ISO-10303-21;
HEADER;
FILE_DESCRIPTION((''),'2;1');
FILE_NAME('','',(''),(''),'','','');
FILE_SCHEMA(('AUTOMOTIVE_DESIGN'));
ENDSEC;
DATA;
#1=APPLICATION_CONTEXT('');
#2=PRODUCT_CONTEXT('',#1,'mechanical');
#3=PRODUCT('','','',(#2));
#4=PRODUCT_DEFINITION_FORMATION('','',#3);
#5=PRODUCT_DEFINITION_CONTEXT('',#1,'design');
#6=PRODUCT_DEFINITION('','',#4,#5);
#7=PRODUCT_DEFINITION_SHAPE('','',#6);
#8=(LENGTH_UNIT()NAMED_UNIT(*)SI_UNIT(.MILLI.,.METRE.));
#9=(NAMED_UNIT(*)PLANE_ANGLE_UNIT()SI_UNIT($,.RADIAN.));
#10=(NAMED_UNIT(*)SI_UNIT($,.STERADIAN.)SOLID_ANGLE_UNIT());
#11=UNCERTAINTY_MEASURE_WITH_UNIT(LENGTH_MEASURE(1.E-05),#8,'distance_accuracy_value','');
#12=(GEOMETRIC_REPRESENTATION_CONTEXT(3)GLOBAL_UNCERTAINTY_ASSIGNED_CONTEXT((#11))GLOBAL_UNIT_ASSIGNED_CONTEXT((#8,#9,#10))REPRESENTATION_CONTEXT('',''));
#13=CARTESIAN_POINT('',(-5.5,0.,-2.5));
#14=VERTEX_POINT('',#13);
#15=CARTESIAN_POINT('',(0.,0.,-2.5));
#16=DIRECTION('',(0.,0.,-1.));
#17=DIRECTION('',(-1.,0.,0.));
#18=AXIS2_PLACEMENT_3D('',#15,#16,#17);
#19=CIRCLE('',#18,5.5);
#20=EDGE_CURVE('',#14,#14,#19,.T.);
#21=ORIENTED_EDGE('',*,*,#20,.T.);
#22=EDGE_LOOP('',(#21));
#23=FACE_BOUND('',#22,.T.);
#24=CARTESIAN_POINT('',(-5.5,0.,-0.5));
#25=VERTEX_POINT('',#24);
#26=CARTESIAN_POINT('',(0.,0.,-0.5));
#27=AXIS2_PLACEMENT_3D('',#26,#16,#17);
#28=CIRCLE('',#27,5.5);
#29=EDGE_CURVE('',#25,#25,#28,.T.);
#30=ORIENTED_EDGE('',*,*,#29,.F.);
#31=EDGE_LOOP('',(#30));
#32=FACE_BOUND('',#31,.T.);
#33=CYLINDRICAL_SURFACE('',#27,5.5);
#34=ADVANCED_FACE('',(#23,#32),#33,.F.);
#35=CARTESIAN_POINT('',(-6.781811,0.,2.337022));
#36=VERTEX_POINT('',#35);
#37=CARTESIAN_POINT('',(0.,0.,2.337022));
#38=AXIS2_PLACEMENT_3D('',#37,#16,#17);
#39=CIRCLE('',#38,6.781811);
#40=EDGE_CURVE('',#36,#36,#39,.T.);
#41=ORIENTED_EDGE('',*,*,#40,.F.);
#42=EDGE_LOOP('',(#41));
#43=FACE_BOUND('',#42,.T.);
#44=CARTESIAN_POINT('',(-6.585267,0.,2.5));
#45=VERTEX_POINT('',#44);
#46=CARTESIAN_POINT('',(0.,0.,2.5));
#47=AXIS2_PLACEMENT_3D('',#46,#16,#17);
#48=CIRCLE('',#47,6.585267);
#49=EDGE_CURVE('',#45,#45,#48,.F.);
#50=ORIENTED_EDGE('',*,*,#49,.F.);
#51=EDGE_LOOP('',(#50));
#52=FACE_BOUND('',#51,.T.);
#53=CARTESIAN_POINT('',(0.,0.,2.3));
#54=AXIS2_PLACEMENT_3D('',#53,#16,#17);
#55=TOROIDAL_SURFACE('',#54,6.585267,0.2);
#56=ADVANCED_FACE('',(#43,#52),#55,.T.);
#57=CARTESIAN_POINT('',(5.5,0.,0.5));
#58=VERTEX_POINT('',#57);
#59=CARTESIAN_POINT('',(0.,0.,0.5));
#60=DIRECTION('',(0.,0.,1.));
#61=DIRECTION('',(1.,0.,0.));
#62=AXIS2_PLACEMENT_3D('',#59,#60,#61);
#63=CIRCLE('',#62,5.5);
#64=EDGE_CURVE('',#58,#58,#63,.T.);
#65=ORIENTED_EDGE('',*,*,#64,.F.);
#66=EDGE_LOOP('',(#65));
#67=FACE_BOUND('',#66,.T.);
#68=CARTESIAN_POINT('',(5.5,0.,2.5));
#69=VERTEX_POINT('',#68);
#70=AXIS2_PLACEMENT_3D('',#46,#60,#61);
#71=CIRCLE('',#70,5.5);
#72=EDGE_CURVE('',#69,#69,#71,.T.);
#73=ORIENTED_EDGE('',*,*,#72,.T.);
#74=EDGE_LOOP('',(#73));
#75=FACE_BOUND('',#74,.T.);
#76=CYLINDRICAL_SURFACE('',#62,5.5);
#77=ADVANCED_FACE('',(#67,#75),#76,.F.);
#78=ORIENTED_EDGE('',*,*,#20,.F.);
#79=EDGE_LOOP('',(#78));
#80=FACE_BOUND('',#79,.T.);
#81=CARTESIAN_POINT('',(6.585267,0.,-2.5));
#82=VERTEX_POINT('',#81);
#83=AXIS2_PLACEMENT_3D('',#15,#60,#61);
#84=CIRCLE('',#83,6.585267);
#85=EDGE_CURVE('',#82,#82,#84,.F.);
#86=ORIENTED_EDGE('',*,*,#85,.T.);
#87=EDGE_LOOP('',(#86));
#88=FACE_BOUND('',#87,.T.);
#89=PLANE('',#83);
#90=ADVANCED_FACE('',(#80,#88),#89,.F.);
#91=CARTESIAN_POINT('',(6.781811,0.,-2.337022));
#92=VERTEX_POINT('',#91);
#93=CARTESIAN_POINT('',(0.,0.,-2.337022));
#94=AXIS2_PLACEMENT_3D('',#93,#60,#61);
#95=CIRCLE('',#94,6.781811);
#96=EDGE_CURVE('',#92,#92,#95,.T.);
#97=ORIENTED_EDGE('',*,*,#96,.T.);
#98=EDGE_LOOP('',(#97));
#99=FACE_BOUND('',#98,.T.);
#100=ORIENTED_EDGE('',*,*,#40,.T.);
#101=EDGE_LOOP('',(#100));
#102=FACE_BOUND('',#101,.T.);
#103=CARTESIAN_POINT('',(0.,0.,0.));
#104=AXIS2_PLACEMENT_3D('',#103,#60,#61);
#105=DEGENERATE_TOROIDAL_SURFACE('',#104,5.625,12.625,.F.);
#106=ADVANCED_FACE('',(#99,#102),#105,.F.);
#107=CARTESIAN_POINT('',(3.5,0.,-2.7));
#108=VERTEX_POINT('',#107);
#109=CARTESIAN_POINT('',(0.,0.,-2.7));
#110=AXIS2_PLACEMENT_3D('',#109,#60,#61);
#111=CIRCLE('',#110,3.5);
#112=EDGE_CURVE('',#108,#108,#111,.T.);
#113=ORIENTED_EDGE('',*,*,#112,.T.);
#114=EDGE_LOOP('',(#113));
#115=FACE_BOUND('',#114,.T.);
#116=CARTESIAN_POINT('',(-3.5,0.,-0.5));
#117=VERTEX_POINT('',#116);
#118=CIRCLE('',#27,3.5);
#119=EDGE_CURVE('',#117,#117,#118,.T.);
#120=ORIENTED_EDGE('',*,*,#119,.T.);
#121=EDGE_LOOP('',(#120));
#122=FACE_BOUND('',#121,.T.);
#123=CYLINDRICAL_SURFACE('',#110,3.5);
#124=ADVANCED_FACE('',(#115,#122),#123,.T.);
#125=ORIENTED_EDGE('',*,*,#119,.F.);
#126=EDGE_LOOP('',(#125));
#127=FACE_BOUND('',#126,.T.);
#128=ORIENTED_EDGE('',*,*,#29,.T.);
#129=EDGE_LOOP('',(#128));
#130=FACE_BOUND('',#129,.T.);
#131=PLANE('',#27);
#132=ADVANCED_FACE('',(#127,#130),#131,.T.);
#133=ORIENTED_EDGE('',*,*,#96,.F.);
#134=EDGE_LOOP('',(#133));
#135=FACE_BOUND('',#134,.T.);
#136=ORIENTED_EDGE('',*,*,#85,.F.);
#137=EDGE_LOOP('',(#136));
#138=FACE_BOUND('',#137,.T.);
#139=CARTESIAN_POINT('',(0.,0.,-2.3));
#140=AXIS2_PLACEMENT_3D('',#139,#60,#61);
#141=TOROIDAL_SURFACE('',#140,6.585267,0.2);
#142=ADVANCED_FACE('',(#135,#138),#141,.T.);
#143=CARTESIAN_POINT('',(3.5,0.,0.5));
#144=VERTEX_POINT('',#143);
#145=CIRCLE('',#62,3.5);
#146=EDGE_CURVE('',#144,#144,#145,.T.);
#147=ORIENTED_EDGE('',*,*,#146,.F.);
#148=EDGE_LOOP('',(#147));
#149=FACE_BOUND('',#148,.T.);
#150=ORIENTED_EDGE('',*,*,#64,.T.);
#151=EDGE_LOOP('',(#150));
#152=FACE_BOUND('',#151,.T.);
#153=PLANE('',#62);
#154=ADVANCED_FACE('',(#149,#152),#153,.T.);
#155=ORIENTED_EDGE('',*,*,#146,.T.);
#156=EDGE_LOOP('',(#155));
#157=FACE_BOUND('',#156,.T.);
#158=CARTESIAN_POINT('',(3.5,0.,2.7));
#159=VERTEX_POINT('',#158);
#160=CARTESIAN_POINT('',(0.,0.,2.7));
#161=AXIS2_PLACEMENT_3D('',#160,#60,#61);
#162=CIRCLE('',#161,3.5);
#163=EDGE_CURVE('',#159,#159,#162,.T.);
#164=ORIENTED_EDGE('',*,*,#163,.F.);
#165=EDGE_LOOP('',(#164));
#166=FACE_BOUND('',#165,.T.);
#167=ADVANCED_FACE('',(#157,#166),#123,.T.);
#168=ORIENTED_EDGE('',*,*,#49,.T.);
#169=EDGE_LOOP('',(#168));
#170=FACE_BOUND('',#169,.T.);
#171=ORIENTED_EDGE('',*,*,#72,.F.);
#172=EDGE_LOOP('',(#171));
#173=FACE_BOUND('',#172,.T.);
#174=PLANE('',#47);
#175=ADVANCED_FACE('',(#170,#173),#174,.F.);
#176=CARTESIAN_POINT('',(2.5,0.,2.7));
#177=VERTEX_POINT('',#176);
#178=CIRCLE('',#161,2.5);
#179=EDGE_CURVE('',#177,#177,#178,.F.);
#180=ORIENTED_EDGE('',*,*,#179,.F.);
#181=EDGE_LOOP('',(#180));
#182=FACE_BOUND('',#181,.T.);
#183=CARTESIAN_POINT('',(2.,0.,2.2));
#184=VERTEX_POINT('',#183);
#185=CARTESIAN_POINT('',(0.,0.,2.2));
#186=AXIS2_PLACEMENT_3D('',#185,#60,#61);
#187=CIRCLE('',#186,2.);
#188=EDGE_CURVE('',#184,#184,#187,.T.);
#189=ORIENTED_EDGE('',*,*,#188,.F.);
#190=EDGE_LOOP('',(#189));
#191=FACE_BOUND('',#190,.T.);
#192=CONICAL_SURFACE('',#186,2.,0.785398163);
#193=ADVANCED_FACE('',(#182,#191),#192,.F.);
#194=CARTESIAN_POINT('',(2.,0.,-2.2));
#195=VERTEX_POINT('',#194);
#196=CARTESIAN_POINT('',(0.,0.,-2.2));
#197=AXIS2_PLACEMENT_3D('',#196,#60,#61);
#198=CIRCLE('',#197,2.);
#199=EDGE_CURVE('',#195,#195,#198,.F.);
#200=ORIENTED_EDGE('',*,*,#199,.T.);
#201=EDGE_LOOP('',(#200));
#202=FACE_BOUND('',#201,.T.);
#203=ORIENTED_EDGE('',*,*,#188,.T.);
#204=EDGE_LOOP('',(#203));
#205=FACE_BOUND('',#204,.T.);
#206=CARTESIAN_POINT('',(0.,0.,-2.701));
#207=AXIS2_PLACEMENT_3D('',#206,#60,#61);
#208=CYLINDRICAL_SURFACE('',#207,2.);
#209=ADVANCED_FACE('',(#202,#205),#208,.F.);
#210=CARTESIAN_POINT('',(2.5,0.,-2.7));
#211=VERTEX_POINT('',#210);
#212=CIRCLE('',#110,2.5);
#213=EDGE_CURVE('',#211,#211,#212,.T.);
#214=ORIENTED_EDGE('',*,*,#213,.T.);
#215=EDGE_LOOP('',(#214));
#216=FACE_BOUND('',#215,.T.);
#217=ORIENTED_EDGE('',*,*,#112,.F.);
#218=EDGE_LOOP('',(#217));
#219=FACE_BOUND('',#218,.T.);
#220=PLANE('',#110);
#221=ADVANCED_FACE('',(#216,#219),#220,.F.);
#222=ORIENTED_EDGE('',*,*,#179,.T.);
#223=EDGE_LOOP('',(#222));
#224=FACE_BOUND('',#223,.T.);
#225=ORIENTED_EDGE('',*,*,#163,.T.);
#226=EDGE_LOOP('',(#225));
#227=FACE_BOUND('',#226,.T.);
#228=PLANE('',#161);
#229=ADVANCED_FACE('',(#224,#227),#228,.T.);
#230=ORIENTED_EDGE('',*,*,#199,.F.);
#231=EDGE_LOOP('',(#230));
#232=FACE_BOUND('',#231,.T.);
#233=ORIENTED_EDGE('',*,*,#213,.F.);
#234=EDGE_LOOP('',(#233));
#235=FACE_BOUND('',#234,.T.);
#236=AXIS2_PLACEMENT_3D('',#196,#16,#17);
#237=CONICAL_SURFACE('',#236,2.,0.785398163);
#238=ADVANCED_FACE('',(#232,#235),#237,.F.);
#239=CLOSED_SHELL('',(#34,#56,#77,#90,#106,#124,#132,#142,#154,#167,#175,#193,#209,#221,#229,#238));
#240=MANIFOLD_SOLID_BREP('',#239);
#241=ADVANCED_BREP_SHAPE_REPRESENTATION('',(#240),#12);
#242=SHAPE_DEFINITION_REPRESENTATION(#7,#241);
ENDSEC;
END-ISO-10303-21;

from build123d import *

# Parameters (mm, degrees)
EXTRUDE_1_DEPTH      = 0.2
EXTRUDE_1_DEPTH_BACK = 5.2
SKETCH_2_R           = 3.5
CUT_EXTRUDE_1_REACH  = 13.277
SKETCH_3_R           = 2
SKETCH_4_R           = 5.5
SKETCH_4_R_2         = 3.5
CUT_EXTRUDE_2_DEPTH  = 2
CUT_EXTRUDE_START    = -2
SKETCH_5_R           = 5.5
SKETCH_5_R_2         = 3.5
CUT_EXTRUDE_3_DEPTH  = 2
FILLET_1_R           = 0.2
CHAMFER_1_SIZE       = 0.5


with BuildPart() as part:
    # 草图1 → 旋转1 (revolve)
    with BuildSketch(Plane(origin=(0, 0, 0), x_dir=(0, 0, -1), z_dir=(1, 0, 0)), mode=Mode.PRIVATE) as revolve_1_sk:
        with BuildLine():
            Line((-2.5, 0), (-2.5, 6.75))
            ThreePointArc((-2.5, 6.75), (-1.256234453, 6.937344526), (0, 7))
            ThreePointArc((0, 7), (1.256234453, 6.937344526), (2.5, 6.75))
            Line((2.5, 6.75), (2.5, 0))
            Line((2.5, 0), (-2.5, 0))
        make_face()
    revolve(revolve_1_sk.sketch.rotate(Axis((0, 0, 3.62963917), (0, 0, -1)), 90), axis=Axis((0, 0, 3.62963917), (0, 0, -1)))

    # 草图2 → 凸台-拉伸1 (add, two sides: drawn at the far end of the back side and taken through both)
    with BuildSketch(Plane.XY.offset(2.5).offset(-EXTRUDE_1_DEPTH_BACK)):
        Circle(SKETCH_2_R)
    extrude(amount=EXTRUDE_1_DEPTH + EXTRUDE_1_DEPTH_BACK)

    # 草图3 → 切除-拉伸1 (cut, up to next)
    with BuildSketch(Plane.XY.offset(2.7), mode=Mode.PRIVATE) as cut_extrude_1_sk1:
        Circle(SKETCH_3_R)
    cut_extrude_1_tool1 = extrude(cut_extrude_1_sk1.sketch, amount=-CUT_EXTRUDE_1_REACH, mode=Mode.PRIVATE) & part.part
    add(cut_extrude_1_tool1.solids().sort_by_distance((0, 0, 2.7))[0], mode=Mode.SUBTRACT)

    # 草图4 → 切除-拉伸2 (cut)
    with BuildSketch(Plane.XY.offset(2.5)):
        Circle(SKETCH_4_R)
        Circle(SKETCH_4_R_2, mode=Mode.SUBTRACT)
    extrude(amount=-CUT_EXTRUDE_2_DEPTH, mode=Mode.SUBTRACT)

    # 草图5 → 切除-拉伸3 (cut)
    with BuildSketch(Plane(origin=(0, 0, -2.5), x_dir=(-1, 0, 0), z_dir=(0, 0, -1)).offset(CUT_EXTRUDE_START)):
        with Locations(Location((0, 0, 0), (0, 0, 180))):
            Circle(SKETCH_5_R)
        with Locations(Location((0, 0, 0), (0, 0, 180))):
            Circle(SKETCH_5_R_2, mode=Mode.SUBTRACT)
    extrude(amount=CUT_EXTRUDE_3_DEPTH, mode=Mode.SUBTRACT)

    # 圆角1
    fillet_1_edges = [part.edges().sort_by_distance(p)[0] for p in [
        (-6.75, 0, 2.5),
        (-6.75, 0, -2.5),
    ]]
    fillet(fillet_1_edges, radius=FILLET_1_R)

    # 倒角1
    chamfer_1_edges = [part.edges().sort_by_distance(p)[0] for p in [
        (-2, 0, 2.7),
        (-2, 0, -2.7),
    ]]
    chamfer(chamfer_1_edges, length=CHAMFER_1_SIZE)


solid = part.part
